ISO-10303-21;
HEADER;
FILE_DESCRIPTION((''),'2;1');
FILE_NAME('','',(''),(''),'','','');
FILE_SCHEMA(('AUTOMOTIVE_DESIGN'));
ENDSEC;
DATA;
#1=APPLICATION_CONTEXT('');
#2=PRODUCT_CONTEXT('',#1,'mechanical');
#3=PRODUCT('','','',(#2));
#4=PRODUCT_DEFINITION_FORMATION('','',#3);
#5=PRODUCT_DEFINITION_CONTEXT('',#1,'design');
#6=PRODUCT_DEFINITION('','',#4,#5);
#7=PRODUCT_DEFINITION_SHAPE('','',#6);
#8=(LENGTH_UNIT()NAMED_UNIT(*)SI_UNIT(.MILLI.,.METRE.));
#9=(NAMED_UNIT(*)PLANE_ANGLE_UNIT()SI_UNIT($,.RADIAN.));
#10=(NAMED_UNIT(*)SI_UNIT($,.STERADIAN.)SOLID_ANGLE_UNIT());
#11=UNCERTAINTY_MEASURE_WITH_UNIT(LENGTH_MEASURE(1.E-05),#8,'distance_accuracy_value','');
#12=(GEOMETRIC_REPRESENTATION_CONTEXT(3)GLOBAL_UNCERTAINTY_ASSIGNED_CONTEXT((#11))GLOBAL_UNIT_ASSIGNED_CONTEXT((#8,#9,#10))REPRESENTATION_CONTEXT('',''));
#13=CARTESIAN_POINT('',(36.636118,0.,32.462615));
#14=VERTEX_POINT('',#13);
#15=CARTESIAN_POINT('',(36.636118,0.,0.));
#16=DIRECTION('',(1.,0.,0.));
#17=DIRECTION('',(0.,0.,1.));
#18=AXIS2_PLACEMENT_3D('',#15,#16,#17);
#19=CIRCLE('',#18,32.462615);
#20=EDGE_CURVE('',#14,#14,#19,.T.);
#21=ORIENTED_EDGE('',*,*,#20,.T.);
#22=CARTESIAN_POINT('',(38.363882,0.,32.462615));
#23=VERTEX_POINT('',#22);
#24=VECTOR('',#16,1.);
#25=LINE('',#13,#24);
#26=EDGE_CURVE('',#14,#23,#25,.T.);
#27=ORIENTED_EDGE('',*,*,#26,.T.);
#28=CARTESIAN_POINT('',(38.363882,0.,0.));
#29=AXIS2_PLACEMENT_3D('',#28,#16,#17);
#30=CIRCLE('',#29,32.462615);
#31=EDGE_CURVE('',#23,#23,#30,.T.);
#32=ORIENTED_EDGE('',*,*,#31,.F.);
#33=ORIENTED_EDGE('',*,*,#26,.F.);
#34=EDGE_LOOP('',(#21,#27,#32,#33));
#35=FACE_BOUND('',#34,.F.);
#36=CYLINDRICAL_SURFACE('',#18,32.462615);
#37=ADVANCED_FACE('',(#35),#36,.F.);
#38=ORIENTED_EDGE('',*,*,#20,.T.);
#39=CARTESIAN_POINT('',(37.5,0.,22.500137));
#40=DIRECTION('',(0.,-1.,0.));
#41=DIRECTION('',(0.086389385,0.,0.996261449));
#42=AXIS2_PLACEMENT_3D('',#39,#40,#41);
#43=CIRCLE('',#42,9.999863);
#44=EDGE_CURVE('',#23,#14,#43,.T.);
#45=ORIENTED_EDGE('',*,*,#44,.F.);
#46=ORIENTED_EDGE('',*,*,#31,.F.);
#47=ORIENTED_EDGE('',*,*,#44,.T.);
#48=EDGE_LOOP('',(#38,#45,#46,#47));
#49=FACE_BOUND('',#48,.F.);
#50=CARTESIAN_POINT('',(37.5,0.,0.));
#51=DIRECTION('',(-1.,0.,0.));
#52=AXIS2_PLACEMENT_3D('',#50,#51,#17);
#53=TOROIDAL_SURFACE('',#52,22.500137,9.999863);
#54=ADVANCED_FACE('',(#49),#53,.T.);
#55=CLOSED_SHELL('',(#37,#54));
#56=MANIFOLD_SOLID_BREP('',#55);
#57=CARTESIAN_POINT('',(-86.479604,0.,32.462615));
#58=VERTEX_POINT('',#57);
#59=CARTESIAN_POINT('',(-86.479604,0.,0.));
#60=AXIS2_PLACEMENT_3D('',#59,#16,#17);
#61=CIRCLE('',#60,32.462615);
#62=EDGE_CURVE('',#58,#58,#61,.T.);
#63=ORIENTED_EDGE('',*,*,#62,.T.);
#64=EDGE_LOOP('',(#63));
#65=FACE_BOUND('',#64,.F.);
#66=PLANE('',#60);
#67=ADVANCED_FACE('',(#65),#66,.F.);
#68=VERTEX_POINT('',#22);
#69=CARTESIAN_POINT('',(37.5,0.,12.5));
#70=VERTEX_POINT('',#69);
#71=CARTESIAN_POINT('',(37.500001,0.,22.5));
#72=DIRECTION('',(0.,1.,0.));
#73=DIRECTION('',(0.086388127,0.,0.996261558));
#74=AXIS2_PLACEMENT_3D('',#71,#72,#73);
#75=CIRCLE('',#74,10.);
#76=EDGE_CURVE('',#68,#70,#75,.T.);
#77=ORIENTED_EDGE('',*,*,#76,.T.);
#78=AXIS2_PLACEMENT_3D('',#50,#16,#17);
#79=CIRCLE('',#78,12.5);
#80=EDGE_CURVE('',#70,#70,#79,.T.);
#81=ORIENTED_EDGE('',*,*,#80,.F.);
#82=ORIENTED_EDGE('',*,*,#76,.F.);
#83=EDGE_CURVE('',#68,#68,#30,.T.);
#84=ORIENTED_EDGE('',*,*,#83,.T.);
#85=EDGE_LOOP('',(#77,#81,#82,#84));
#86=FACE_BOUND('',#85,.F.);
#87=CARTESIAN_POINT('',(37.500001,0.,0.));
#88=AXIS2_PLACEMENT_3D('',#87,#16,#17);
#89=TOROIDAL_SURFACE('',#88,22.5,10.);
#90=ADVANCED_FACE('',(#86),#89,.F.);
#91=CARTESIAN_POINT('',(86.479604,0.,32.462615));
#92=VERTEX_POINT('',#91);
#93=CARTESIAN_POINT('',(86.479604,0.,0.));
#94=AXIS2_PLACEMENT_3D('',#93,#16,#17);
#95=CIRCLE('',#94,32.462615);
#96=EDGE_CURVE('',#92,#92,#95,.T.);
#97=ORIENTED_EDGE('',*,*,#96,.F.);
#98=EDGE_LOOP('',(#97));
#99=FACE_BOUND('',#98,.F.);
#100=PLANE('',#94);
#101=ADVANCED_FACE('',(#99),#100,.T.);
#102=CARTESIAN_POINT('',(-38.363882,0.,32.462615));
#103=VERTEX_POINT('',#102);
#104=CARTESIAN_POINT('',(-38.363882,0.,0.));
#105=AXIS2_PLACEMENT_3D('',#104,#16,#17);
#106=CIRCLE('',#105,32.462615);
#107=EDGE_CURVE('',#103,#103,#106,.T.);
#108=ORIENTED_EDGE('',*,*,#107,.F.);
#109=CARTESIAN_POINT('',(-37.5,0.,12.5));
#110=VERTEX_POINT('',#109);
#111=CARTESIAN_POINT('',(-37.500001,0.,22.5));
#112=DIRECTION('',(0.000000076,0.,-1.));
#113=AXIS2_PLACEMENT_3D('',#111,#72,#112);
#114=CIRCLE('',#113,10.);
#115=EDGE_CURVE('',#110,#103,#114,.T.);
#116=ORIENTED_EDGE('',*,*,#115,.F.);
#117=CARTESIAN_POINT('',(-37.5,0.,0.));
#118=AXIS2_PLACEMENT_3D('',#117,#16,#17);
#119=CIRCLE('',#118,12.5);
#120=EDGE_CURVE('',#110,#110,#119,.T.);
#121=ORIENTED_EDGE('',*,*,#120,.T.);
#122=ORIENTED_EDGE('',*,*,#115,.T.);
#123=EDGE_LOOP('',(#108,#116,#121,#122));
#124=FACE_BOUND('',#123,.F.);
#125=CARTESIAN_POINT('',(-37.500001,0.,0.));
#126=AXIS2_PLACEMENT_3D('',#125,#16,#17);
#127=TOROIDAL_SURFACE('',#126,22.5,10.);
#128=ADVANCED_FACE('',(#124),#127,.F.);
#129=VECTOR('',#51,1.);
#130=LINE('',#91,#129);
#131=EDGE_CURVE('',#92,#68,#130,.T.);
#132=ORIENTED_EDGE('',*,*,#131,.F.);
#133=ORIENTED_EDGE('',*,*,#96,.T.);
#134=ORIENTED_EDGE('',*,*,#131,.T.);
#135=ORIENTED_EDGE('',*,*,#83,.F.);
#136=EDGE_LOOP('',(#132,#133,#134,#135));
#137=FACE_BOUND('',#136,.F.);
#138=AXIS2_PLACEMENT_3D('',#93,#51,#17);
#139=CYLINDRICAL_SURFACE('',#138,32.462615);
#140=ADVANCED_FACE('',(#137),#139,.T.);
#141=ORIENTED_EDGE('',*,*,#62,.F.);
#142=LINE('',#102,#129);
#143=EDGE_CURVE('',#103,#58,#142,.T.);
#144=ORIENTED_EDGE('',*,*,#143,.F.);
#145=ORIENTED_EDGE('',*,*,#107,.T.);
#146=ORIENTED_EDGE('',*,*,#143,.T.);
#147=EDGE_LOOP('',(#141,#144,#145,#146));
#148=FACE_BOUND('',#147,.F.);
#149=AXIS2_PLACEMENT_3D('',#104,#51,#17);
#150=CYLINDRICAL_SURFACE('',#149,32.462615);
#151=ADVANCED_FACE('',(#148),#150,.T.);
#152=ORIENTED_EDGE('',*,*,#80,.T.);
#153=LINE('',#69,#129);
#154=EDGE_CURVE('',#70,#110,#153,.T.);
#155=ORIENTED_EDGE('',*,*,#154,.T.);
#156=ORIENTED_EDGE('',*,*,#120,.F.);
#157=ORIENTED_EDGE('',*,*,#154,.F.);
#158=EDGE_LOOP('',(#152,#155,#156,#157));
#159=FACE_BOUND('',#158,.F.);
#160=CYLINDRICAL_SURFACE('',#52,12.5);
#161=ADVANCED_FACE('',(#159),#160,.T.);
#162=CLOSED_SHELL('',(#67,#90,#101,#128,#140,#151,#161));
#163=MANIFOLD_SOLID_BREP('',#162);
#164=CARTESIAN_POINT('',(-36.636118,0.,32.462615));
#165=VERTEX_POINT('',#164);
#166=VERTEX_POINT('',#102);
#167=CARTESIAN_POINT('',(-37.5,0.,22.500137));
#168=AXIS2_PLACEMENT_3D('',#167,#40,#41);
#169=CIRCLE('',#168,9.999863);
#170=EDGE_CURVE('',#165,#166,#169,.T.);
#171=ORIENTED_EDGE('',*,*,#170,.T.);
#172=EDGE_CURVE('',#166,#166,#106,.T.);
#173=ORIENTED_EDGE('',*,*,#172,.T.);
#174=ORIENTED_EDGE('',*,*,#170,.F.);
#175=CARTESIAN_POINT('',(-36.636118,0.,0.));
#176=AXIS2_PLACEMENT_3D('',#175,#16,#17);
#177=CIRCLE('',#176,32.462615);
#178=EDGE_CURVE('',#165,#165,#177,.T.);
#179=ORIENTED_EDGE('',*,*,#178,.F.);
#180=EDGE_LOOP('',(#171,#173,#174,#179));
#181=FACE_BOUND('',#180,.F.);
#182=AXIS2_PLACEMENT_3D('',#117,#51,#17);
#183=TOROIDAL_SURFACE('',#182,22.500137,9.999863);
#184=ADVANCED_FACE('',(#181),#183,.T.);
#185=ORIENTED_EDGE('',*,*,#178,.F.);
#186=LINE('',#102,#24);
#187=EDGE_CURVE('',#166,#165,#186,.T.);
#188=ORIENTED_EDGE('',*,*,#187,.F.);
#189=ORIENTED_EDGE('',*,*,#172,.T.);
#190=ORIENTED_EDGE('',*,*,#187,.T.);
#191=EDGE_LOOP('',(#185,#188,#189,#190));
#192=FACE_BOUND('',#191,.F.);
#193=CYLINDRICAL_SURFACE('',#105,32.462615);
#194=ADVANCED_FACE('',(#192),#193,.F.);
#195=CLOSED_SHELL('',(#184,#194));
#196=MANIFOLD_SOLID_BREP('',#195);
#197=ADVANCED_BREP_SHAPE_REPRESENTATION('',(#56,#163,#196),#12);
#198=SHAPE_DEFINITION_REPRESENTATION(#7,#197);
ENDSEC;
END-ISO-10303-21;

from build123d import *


with BuildPart() as f1:
    # F0 (on Front) → F1 (revolve)
    with BuildSketch(Plane.XZ):
        with BuildLine():
            Line((36.636118, 32.462615), (38.363882, 32.462615))
            ThreePointArc((38.363882, 32.462615), (37.5, 32.5), (36.636118, 32.462615))
        make_face()
        with BuildLine():
            ThreePointArc((-36.636118, 32.462615), (-37.5, 32.5), (-38.363882, 32.462615))
            Line((-38.363882, 32.462615), (-36.636118, 32.462615))
        make_face()
        with BuildLine():
            Line((37.5, 12.5), (0, 12.5))
            Line((0, 12.5), (-37.5, 12.5))
            ThreePointArc((-37.5, 12.5), (-47.49065, 22.067655), (-38.363882, 32.462615))
            Line((-38.363882, 32.462615), (-86.479604, 32.462615))
            Line((-86.479604, 32.462615), (-86.479604, 0))
            Line((-86.479604, 0), (86.479604, 0))
            Line((86.479604, 0), (86.479604, 32.462615))
            Line((86.479604, 32.462615), (38.363882, 32.462615))
            ThreePointArc((38.363882, 32.462615), (47.49065, 22.067655), (37.5, 12.5))
        make_face()
    revolve(axis=Axis((0, 0, 0), (1, 0, 0)))


solid = f1.part
